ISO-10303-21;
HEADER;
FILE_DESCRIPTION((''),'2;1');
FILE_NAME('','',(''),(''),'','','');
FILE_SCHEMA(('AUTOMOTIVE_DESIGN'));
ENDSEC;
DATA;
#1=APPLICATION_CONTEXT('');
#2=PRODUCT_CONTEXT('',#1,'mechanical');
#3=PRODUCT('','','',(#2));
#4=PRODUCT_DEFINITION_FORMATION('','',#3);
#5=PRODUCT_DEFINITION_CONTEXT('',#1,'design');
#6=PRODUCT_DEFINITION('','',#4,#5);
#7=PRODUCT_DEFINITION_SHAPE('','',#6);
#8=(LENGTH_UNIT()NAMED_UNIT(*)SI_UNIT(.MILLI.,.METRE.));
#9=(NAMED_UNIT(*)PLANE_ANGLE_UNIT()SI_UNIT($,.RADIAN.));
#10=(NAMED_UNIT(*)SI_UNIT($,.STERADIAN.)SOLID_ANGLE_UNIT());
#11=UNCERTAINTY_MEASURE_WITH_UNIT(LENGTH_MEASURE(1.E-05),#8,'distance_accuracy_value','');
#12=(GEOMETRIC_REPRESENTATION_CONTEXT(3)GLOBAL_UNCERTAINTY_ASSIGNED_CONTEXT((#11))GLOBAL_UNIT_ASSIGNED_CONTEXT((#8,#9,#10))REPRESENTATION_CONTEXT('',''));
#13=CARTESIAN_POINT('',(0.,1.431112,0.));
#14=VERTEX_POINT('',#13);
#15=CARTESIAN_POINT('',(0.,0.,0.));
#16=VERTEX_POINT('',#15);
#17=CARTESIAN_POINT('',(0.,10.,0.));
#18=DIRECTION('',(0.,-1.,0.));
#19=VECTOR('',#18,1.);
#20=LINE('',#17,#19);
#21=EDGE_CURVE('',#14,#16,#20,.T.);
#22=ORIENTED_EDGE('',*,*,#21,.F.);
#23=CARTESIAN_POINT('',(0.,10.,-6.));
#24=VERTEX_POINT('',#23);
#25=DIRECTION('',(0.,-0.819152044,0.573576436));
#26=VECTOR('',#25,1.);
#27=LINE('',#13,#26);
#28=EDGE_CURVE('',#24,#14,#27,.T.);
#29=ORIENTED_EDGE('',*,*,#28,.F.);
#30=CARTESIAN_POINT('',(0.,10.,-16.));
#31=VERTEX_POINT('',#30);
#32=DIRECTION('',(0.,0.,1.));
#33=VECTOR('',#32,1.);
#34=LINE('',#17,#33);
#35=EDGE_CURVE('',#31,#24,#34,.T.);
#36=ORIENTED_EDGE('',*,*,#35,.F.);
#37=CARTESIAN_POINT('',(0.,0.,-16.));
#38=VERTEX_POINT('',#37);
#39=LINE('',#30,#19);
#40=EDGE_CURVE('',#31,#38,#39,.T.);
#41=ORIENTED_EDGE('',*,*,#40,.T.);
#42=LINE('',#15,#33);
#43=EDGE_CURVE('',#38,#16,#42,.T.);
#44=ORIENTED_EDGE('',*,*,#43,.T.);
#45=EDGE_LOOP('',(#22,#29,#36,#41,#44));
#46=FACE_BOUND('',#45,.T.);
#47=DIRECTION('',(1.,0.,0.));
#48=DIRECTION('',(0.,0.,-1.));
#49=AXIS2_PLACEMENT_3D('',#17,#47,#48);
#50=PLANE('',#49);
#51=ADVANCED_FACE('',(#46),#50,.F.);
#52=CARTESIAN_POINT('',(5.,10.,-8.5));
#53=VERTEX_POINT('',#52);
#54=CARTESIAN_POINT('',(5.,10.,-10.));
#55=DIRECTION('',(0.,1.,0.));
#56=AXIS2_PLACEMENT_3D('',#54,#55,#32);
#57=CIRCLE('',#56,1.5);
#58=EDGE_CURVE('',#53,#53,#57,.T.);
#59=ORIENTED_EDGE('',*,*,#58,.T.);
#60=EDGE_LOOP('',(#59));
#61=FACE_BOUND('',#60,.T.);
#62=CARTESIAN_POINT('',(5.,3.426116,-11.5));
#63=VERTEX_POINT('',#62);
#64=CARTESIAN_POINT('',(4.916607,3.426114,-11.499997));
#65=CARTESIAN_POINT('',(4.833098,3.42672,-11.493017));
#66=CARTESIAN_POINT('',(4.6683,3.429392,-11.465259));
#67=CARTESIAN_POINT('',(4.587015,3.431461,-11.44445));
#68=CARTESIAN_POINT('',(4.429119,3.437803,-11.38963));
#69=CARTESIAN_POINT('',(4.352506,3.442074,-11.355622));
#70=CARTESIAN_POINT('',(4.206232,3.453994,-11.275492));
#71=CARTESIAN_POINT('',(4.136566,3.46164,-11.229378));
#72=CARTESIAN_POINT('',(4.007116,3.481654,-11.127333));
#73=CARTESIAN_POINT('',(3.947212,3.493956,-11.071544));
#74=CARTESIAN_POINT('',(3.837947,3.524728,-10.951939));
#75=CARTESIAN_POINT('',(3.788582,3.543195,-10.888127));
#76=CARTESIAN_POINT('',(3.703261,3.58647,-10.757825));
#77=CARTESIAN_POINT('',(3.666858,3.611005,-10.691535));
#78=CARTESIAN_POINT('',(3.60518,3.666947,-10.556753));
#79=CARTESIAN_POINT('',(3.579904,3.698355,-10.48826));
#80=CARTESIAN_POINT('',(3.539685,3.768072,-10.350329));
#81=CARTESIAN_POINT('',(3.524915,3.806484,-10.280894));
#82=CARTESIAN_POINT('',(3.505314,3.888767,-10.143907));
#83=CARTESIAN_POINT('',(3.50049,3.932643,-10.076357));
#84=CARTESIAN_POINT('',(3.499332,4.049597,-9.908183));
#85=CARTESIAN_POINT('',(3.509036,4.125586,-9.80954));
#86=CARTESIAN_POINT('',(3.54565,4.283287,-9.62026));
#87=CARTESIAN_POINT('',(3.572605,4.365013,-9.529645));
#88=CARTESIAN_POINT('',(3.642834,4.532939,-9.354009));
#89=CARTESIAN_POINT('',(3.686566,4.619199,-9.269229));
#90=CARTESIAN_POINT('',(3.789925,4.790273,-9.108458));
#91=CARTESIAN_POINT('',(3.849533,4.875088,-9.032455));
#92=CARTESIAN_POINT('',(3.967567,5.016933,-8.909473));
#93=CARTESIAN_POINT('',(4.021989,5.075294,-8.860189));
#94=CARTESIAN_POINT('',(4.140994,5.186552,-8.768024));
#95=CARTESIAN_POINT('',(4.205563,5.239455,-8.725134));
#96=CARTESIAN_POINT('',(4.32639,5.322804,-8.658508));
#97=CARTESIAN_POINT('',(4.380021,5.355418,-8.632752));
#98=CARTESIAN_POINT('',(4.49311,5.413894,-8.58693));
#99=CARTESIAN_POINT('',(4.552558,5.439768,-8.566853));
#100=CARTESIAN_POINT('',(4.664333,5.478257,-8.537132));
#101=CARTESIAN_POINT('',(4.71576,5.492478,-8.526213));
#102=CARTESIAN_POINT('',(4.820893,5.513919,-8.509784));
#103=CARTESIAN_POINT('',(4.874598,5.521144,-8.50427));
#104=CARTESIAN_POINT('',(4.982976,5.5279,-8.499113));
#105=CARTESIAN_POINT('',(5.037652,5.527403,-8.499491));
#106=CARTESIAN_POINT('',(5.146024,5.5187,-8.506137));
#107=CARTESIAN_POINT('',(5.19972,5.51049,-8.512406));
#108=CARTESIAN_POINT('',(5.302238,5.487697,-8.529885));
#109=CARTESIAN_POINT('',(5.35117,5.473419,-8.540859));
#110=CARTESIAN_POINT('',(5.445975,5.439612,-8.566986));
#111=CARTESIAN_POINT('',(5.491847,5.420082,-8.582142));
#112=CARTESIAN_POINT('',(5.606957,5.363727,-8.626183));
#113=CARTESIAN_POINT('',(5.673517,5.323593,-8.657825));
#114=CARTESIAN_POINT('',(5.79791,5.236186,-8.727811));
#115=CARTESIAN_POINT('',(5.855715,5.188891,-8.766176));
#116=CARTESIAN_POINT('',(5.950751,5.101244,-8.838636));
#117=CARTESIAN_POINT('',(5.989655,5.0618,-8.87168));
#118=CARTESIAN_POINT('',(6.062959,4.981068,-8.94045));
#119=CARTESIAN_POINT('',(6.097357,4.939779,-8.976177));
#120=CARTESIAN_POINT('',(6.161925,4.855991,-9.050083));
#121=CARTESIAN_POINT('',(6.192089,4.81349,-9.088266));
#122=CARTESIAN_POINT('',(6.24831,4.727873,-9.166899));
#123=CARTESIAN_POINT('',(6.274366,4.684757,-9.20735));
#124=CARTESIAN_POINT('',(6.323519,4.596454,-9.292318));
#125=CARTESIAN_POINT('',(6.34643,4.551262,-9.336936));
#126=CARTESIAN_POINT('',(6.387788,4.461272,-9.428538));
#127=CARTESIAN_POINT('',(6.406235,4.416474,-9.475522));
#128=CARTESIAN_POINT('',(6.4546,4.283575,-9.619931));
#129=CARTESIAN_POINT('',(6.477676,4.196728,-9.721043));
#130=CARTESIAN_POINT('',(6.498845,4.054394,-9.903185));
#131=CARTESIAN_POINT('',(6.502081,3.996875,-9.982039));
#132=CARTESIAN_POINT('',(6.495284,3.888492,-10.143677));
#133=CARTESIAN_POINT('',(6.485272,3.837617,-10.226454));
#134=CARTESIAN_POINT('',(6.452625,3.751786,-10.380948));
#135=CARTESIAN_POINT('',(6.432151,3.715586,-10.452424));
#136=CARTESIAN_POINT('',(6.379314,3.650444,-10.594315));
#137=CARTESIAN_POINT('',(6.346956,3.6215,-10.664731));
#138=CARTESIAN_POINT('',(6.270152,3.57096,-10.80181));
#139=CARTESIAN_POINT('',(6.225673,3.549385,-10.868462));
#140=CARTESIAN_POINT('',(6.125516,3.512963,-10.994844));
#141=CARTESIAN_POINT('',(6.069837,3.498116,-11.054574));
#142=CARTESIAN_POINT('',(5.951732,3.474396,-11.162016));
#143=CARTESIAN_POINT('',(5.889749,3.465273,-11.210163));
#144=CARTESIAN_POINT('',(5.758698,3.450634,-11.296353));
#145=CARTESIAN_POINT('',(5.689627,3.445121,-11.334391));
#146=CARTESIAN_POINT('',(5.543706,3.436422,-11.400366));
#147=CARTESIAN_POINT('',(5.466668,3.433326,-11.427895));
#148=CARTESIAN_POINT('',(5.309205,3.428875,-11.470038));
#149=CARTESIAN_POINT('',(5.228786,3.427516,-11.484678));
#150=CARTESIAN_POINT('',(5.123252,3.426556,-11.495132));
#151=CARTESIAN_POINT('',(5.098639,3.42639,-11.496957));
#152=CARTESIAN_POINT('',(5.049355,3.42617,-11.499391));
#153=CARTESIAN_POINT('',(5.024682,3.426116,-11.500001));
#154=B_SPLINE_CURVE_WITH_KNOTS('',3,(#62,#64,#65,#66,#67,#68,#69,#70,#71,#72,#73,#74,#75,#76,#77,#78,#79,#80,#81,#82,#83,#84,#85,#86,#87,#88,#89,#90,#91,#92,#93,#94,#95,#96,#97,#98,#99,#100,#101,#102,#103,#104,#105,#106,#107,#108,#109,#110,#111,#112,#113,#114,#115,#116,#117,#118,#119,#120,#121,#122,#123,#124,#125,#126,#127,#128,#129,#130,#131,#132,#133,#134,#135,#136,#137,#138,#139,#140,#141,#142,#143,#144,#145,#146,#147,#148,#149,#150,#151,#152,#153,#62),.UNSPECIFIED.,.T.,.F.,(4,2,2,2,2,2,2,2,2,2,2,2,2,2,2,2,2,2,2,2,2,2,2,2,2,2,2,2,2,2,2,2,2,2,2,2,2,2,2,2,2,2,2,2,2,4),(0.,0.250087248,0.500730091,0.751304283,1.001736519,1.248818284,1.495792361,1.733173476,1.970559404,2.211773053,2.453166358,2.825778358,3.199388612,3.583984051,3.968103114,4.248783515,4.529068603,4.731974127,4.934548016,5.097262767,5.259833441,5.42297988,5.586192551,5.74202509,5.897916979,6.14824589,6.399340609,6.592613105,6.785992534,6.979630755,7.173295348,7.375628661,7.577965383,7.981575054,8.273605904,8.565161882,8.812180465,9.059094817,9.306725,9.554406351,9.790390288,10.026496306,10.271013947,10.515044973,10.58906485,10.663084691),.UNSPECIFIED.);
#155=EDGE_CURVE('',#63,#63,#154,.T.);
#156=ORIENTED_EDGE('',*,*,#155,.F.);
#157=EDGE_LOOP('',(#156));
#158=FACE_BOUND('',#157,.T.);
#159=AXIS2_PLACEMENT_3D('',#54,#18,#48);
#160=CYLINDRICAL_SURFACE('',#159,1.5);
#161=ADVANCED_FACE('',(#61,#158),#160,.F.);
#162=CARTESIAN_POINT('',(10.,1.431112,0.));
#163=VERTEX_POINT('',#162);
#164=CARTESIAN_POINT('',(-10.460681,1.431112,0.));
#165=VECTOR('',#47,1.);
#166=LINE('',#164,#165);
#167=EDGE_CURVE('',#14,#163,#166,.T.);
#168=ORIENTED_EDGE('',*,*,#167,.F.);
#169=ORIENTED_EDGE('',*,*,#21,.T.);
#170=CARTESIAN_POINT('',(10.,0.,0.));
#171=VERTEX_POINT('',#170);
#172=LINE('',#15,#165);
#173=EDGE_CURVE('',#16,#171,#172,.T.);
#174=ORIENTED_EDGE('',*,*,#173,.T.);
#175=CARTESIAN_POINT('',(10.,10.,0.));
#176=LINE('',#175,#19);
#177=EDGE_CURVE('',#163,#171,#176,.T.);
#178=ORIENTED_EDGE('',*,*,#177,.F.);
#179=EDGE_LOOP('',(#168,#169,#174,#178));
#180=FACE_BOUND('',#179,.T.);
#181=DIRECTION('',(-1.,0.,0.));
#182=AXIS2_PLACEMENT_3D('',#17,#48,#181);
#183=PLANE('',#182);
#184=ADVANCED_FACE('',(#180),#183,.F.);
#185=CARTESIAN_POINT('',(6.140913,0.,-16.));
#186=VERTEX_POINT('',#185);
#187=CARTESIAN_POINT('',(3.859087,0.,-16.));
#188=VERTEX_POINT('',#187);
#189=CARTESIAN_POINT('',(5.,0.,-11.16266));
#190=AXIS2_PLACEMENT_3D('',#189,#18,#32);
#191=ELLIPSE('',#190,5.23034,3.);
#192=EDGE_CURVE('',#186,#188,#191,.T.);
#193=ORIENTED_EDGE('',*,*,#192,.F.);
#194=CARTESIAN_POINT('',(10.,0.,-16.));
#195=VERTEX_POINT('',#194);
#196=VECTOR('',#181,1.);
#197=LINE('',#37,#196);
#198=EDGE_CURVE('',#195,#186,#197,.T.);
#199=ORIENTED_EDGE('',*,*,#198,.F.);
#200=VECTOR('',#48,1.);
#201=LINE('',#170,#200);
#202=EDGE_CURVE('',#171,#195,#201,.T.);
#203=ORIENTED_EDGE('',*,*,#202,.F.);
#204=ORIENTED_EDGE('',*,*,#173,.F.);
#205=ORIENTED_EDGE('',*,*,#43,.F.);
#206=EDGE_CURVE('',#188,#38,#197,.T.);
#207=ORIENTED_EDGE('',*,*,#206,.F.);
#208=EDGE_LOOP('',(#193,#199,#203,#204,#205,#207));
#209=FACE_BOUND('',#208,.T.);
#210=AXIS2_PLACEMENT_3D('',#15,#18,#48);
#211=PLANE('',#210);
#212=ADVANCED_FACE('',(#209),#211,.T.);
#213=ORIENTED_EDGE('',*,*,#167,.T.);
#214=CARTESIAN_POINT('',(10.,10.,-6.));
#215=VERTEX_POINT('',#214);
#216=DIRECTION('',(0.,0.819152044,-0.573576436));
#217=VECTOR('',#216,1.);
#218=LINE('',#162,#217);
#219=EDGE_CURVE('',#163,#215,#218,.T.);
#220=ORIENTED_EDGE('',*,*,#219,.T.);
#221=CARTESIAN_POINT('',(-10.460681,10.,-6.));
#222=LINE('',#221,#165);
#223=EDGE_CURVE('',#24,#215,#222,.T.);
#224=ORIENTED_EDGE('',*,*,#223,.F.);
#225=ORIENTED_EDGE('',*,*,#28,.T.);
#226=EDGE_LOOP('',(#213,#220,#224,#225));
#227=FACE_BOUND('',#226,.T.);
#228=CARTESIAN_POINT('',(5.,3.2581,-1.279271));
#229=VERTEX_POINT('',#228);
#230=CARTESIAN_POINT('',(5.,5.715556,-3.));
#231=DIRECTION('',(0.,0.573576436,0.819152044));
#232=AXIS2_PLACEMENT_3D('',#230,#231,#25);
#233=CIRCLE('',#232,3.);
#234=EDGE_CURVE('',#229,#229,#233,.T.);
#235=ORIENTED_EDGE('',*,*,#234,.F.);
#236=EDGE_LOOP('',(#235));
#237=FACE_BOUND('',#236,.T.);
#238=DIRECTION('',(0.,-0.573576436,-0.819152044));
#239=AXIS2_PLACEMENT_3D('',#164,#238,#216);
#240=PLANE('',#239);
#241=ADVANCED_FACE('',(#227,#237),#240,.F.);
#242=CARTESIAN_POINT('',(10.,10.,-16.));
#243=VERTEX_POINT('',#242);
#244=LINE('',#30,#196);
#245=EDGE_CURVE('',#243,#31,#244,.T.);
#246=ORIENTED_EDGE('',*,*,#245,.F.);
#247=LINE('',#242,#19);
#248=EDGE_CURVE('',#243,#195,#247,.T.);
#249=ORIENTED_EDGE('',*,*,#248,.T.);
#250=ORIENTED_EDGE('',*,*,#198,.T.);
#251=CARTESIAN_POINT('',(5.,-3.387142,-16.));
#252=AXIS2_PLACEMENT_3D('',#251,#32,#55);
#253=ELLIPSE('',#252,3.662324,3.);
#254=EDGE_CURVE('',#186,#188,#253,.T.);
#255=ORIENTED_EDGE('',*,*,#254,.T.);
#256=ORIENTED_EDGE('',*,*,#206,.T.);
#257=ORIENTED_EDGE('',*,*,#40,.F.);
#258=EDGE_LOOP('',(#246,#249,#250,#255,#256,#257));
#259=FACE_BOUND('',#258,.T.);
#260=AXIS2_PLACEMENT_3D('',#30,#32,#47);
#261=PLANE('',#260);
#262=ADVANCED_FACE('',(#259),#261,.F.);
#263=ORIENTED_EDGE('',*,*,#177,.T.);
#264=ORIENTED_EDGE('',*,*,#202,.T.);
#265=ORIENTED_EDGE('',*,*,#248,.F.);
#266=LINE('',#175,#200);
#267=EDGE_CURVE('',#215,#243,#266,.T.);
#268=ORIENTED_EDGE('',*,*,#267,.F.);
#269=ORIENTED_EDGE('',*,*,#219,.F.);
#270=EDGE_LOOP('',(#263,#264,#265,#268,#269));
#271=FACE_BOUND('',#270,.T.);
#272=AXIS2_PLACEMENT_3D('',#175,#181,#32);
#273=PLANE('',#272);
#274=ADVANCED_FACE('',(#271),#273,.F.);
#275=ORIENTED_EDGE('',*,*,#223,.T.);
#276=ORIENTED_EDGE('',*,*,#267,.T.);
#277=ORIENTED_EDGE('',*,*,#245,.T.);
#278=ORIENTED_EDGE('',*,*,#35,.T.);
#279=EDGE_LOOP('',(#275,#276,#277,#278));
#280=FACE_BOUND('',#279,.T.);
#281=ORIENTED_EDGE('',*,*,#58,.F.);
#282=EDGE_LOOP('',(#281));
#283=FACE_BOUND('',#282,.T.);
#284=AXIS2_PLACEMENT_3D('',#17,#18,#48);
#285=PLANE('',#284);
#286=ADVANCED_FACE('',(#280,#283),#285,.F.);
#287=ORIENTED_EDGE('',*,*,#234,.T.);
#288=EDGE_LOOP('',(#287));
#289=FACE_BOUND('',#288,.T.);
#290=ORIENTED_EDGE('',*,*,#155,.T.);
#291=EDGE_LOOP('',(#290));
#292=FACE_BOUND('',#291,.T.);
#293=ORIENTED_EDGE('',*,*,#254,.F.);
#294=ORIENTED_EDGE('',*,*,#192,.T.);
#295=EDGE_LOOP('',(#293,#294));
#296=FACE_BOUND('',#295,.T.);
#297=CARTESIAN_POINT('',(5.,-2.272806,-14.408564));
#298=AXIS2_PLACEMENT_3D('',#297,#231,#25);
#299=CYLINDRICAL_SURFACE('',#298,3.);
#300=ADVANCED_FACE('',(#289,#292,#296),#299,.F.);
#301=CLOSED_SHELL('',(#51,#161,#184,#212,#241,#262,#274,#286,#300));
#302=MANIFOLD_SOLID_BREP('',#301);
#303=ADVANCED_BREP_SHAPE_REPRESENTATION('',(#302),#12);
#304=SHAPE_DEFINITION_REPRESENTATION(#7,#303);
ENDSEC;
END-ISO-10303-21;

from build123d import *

# Parameters (mm, degrees)
SKETCH_1_W          = 10
SKETCH_1_H          = 16
SKETCH_1_R          = 1.5
EXTRUDE_1_DEPTH     = 10
CUT_EXTRUDE_1_DEPTH = 10
SKETCH_3_R          = 3
CUT_EXTRUDE_2_DEPTH = 22.65119524


with BuildPart() as part:
    # 草图1 → 凸台-拉伸1 (new body)
    with BuildSketch(Plane(origin=(0, 0, 0), x_dir=(1, 0, 0), z_dir=(0, 1, 0))):
        with Locations((5, 8)):
            Rectangle(SKETCH_1_W, SKETCH_1_H)
        with Locations(Location((5, 10, 0), (0, 0, 270))):
            Circle(SKETCH_1_R, mode=Mode.SUBTRACT)
    extrude(amount=EXTRUDE_1_DEPTH)

    # 草图2 → 切除-拉伸1 (cut)
    with BuildSketch(Plane(origin=(10, 0, 0), x_dir=(0, 0, -1), z_dir=(1, 0, 0))):
        Polygon((0, 1.43111196), (6, 10), (0, 10), align=None)
    extrude(amount=-CUT_EXTRUDE_1_DEPTH, mode=Mode.SUBTRACT)

    # 草图3 → 切除-拉伸2 (cut, through all)
    with BuildSketch(Plane(origin=(0, 0.470821421, 0.672402674), x_dir=(1, 0, 0), z_dir=(0, 0.5735764363510438, 0.8191520442889935))):
        with Locations(Location((5, 6.402638674, 0), (0, 0, 270))):
            Circle(SKETCH_3_R)
    extrude(amount=-CUT_EXTRUDE_2_DEPTH, mode=Mode.SUBTRACT)


solid = part.part
